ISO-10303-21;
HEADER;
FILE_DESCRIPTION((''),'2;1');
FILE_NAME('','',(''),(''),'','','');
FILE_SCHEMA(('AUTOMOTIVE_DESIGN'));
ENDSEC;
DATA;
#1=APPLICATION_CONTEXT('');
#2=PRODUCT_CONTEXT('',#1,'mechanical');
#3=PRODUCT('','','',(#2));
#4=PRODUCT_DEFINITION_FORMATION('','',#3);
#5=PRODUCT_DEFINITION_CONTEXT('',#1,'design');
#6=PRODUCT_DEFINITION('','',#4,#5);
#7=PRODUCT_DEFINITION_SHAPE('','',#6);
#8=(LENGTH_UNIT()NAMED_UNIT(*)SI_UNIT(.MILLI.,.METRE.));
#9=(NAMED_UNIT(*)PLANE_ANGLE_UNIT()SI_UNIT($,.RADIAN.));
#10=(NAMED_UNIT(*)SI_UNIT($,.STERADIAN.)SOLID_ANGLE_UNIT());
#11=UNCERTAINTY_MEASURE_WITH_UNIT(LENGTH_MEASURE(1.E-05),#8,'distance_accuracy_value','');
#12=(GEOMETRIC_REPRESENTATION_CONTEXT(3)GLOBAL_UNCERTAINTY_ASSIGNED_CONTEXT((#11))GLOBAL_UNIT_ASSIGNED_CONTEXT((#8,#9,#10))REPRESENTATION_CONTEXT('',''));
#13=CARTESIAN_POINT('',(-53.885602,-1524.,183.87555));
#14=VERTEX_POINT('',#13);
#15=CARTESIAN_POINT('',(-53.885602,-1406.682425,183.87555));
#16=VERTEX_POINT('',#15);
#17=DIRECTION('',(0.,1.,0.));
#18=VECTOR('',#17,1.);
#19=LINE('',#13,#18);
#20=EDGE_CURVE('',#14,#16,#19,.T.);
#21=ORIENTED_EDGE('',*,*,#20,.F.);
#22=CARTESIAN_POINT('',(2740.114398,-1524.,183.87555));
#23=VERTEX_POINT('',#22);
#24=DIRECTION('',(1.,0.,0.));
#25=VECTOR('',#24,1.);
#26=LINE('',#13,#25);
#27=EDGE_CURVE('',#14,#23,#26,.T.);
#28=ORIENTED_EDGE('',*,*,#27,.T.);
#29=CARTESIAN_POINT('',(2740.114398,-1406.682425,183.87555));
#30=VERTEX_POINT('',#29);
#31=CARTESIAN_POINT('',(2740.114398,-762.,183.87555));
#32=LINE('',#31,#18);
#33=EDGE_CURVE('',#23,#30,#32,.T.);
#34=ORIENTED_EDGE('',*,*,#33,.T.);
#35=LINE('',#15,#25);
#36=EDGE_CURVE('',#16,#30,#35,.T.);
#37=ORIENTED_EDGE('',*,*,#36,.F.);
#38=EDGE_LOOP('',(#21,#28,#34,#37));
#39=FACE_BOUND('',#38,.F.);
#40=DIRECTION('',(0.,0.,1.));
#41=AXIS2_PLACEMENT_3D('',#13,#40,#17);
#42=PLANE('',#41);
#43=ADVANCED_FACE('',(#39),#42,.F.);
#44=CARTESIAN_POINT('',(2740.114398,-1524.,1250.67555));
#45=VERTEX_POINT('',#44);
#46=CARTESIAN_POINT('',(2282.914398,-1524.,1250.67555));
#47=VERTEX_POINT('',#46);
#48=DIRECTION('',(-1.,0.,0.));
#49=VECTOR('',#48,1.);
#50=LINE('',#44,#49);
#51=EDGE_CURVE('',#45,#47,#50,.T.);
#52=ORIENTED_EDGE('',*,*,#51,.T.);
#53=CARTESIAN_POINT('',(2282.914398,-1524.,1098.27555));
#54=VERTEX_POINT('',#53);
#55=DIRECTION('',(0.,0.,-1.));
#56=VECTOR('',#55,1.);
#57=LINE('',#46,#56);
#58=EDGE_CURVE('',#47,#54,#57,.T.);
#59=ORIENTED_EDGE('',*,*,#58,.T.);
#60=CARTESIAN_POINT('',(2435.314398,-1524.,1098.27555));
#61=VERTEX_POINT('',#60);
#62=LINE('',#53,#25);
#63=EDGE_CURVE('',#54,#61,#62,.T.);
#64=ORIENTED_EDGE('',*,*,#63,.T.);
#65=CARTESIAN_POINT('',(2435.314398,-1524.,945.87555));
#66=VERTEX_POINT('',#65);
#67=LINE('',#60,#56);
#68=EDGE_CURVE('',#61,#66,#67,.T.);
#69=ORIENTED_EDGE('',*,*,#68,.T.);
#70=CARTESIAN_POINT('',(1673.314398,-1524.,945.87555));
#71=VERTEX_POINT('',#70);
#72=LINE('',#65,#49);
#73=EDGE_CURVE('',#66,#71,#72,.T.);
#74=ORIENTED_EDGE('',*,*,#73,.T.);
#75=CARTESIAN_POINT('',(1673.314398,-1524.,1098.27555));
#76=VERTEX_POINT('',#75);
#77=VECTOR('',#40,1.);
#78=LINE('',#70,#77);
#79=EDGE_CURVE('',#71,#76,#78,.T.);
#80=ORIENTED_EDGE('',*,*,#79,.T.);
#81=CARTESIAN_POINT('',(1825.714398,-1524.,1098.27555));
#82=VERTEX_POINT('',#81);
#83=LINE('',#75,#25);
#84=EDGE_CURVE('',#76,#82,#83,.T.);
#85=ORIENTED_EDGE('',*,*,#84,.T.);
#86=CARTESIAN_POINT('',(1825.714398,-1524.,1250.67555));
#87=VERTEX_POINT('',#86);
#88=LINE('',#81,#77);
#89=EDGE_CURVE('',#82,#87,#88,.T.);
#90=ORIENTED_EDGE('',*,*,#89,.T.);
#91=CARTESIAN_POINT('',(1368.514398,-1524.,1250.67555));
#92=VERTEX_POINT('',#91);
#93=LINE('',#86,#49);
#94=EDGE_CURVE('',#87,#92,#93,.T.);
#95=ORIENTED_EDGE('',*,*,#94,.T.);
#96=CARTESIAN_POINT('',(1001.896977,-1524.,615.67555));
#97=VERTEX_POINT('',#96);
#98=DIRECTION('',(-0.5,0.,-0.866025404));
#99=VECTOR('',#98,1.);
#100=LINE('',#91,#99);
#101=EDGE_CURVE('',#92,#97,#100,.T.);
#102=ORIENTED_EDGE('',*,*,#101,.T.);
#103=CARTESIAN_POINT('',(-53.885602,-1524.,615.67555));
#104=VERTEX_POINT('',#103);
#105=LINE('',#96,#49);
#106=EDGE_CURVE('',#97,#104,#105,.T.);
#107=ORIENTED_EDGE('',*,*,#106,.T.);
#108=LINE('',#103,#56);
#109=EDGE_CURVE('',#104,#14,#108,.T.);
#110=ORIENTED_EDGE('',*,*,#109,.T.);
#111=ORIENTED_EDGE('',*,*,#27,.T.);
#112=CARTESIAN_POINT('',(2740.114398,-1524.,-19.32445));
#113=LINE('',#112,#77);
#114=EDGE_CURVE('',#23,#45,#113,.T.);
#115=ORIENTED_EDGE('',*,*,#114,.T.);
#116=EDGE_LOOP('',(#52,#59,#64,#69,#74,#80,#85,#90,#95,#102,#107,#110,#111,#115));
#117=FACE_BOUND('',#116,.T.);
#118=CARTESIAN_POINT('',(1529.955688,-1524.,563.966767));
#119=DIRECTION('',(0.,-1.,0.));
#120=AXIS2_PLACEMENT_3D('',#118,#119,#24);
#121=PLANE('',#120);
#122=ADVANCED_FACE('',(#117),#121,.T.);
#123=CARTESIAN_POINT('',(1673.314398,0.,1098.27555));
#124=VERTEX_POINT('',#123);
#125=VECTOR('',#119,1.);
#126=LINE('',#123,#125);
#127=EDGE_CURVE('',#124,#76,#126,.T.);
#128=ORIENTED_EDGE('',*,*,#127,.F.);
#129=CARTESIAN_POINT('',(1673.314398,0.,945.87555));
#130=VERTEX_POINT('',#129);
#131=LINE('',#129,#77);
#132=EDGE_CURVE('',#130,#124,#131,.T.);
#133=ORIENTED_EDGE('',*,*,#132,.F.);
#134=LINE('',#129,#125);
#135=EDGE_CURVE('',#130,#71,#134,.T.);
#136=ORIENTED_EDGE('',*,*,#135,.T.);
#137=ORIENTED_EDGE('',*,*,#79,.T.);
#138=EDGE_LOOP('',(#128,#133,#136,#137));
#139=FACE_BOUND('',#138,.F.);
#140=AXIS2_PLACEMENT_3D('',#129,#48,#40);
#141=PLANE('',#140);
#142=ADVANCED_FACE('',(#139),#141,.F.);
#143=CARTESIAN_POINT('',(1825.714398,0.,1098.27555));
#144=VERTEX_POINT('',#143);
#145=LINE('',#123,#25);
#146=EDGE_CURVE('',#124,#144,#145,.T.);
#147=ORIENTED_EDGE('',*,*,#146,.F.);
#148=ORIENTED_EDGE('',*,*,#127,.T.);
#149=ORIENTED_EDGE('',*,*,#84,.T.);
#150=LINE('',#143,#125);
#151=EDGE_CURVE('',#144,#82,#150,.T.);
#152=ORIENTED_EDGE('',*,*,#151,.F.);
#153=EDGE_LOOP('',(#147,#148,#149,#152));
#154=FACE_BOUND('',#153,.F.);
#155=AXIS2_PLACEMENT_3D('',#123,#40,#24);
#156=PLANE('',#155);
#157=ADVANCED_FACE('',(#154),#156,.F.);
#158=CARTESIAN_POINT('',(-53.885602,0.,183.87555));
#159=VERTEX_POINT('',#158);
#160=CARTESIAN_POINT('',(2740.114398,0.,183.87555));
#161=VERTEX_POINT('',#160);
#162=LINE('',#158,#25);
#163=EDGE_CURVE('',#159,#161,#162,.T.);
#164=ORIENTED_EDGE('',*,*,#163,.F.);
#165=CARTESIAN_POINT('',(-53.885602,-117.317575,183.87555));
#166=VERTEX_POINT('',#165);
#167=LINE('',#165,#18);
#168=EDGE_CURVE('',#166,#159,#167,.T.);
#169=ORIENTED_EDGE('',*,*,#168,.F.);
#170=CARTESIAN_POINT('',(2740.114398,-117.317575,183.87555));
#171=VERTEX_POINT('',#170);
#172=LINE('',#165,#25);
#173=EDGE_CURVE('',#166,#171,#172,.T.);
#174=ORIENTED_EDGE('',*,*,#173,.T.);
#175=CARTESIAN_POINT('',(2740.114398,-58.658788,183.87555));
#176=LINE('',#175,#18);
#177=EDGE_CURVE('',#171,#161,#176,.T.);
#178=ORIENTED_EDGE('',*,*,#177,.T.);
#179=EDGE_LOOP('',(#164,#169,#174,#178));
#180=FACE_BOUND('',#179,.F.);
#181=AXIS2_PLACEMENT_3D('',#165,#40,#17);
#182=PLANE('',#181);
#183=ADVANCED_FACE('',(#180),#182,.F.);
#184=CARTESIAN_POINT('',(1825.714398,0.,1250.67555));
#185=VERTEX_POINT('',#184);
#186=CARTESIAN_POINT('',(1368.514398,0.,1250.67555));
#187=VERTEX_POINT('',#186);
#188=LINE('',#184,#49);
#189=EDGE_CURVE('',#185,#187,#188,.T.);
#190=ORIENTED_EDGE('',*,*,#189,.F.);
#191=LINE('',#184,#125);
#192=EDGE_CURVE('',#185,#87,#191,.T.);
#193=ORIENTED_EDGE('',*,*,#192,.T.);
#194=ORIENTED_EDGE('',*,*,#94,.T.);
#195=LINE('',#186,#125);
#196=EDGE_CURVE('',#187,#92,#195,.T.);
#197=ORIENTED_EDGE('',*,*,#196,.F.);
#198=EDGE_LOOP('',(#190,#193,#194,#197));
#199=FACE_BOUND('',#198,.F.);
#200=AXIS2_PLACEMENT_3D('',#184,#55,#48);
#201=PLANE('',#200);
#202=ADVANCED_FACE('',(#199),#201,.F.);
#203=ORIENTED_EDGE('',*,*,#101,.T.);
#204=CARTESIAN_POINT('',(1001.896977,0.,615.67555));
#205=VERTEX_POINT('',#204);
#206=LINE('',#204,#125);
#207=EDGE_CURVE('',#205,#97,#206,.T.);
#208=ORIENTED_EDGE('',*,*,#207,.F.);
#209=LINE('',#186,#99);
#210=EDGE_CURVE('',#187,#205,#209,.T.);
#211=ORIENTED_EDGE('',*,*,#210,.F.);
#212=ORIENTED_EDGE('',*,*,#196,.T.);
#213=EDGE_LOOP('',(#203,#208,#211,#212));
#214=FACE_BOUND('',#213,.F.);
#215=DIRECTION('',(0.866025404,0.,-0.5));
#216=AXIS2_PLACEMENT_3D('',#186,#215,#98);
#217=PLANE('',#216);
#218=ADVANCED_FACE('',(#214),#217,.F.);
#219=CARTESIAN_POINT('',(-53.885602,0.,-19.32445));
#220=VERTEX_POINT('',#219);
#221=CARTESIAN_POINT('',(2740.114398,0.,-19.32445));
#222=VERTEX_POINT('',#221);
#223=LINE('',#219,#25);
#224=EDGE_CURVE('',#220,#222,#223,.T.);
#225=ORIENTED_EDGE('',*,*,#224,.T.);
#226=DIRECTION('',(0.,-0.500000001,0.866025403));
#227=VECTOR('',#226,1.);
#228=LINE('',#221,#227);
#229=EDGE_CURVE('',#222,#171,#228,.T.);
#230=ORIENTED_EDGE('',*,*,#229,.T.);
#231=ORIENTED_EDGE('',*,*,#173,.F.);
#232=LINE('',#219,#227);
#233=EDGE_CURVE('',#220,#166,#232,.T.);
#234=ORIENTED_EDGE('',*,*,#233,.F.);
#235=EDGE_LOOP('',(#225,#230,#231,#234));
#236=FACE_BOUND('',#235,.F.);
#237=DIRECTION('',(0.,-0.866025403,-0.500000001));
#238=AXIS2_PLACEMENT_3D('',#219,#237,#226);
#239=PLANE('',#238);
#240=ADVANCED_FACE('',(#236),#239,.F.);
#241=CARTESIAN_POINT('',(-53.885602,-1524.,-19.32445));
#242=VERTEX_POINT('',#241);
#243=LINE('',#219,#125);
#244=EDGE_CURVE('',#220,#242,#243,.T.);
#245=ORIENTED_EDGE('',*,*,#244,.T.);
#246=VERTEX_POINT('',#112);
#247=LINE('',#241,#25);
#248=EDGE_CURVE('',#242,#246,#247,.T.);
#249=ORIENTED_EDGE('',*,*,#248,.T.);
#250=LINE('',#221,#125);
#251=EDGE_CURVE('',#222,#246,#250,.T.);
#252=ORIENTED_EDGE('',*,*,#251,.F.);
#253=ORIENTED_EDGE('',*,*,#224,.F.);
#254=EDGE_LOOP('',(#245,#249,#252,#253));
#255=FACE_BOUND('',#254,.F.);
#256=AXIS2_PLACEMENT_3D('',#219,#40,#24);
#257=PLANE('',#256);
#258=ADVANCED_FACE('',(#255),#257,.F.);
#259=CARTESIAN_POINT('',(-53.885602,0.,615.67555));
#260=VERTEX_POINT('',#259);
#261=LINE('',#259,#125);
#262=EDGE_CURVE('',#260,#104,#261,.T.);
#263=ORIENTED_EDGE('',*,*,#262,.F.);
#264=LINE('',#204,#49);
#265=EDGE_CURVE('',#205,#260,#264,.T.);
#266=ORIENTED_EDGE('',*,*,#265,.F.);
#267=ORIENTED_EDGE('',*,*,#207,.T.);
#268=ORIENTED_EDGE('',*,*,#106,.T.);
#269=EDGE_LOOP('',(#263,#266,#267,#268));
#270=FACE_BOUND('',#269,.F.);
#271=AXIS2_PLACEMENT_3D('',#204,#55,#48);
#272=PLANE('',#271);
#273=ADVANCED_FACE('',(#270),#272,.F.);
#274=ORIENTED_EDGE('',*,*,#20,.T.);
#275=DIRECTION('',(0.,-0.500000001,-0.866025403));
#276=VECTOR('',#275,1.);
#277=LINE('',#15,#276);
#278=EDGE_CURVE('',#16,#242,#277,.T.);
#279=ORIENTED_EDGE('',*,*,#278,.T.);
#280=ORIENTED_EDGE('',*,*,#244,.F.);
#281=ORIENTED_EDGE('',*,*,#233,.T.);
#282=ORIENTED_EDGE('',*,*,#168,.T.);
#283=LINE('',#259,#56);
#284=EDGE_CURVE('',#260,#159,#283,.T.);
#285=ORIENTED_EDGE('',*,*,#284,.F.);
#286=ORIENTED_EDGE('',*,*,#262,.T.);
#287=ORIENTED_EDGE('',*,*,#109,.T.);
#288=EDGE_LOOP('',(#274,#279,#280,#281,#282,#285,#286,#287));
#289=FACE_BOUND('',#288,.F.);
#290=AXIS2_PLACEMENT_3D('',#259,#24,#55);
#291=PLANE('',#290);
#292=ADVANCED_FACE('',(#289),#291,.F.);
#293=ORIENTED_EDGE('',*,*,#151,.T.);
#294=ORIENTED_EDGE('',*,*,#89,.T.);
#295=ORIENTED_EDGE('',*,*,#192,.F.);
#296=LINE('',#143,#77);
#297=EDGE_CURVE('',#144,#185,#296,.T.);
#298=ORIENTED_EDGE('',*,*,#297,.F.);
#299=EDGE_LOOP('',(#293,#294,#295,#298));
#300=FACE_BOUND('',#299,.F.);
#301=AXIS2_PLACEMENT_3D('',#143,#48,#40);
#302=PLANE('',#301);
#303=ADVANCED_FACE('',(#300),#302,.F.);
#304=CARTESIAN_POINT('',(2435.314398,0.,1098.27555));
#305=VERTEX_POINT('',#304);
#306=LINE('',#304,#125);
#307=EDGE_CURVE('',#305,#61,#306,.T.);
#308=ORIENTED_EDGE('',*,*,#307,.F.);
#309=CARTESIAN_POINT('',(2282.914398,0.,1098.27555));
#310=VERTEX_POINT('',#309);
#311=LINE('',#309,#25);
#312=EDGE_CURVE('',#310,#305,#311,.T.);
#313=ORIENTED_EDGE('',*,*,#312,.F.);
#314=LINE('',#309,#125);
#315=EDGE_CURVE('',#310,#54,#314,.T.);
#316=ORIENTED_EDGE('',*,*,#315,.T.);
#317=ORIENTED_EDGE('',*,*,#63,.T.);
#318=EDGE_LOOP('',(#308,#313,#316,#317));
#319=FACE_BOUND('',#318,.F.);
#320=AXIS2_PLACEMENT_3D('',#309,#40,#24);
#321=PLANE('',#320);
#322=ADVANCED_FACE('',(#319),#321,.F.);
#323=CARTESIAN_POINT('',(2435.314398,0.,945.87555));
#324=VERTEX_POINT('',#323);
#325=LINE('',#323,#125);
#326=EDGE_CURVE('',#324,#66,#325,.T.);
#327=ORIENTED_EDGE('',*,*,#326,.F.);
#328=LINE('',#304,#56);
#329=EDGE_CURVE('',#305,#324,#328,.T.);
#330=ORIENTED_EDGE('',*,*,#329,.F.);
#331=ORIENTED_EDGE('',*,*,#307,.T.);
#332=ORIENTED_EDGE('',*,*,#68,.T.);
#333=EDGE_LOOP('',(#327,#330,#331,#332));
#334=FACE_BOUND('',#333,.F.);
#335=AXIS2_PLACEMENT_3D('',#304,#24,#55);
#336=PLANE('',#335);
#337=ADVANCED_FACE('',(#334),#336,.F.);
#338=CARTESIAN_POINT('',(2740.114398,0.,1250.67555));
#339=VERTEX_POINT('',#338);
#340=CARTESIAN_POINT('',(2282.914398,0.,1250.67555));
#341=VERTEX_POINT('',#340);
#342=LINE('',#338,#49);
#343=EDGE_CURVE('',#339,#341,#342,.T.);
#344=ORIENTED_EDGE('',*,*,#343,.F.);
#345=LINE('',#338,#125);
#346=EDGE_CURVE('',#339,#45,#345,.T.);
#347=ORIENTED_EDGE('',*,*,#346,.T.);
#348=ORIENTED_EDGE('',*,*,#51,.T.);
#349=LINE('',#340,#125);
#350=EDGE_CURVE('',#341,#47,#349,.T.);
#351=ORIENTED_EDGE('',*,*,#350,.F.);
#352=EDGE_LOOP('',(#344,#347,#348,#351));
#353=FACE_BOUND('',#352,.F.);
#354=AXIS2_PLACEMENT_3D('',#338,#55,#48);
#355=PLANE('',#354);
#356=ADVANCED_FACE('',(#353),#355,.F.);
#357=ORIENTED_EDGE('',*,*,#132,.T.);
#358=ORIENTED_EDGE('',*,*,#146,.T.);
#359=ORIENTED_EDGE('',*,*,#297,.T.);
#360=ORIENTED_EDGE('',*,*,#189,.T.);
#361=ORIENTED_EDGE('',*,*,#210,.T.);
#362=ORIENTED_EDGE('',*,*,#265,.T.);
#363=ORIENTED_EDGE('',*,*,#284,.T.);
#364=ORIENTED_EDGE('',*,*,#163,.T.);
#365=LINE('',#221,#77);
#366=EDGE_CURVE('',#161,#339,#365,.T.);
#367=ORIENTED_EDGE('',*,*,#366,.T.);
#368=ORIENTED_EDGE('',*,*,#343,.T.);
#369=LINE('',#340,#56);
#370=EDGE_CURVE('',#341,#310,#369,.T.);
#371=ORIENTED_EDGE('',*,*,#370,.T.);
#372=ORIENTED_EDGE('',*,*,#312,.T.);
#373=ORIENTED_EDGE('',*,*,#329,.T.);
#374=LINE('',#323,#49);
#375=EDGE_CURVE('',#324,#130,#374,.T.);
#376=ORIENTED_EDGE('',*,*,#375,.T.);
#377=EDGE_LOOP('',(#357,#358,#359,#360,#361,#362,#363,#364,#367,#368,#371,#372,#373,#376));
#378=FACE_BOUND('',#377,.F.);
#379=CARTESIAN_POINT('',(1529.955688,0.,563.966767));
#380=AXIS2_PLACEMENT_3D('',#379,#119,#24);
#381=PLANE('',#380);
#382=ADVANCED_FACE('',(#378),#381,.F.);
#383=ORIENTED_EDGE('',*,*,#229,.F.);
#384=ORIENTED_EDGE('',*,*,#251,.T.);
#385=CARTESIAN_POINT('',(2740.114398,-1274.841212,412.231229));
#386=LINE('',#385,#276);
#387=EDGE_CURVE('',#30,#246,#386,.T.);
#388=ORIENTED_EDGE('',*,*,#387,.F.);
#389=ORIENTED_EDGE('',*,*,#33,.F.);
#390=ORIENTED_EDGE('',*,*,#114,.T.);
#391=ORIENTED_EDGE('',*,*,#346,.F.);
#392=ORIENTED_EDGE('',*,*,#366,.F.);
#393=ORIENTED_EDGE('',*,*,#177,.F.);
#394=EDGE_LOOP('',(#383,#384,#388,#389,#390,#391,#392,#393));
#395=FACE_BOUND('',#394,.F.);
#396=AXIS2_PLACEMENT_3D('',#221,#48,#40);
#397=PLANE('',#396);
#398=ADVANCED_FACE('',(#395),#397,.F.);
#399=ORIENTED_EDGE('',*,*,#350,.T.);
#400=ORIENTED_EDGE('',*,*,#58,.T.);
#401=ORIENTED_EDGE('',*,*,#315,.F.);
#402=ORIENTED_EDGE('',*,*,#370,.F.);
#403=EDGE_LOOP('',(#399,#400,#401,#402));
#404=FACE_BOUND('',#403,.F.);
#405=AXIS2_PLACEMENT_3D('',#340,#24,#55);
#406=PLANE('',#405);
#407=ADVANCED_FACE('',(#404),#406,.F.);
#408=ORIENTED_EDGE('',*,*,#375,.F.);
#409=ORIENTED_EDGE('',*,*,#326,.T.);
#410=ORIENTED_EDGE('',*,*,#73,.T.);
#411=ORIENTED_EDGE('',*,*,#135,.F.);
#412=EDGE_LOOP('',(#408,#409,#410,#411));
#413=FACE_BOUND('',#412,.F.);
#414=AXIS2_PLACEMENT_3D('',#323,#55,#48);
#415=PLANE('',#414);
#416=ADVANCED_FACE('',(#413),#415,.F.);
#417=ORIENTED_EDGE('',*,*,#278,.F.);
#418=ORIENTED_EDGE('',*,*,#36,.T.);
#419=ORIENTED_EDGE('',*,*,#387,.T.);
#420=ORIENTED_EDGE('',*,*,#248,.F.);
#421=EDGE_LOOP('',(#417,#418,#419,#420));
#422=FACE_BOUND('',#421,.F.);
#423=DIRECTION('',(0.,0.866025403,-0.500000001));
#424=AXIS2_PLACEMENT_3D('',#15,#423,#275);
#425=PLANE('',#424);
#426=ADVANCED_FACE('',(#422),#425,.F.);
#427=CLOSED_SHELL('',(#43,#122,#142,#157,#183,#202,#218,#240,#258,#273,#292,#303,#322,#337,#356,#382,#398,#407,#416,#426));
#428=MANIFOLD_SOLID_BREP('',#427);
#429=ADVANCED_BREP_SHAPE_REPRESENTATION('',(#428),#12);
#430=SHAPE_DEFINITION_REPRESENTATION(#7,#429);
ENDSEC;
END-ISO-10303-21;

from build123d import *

# Parameters (mm, degrees)
F1_DEPTH = 1524
F3_DEPTH = 2794.001
F5_DEPTH = 2794.001


with BuildPart() as f1:
    # F0 (on Front) → F1 (new body)
    with BuildSketch(Plane.XZ):
        Polygon((-53.885602, 615.67555), (-53.885602, -19.32445), (2740.114398, -19.32445), (2740.114398, 1250.67555), (2282.914398, 1250.67555), (2282.914398, 1098.27555), (2435.314398, 1098.27555), (2435.314398, 945.87555), (1673.314398, 945.87555), (1673.314398, 1098.27555), (1825.714398, 1098.27555), (1825.714398, 1250.67555), (1368.514398, 1250.67555), (1001.896977, 615.67555), align=None)
    extrude(amount=F1_DEPTH)

    # F2 (on face) → F3 (cut, through all)
    with BuildSketch(Plane(origin=(-53.885602, 0, 0), x_dir=(0, -1, 0), z_dir=(-1, 0, 0))):
        Polygon((0, 183.87555), (0, -19.32445), (117.317575, 183.87555), align=None)
    extrude(amount=-F3_DEPTH, mode=Mode.SUBTRACT)

    # F4 (on face) → F5 (cut, through all)
    with BuildSketch(Plane(origin=(-53.885602, 0, 0), x_dir=(0, -1, 0), z_dir=(-1, 0, 0))):
        Polygon((1406.682425, 183.87555), (1524, -19.32445), (1524, 183.87555), align=None)
    extrude(amount=-F5_DEPTH, mode=Mode.SUBTRACT)


solid = f1.part
